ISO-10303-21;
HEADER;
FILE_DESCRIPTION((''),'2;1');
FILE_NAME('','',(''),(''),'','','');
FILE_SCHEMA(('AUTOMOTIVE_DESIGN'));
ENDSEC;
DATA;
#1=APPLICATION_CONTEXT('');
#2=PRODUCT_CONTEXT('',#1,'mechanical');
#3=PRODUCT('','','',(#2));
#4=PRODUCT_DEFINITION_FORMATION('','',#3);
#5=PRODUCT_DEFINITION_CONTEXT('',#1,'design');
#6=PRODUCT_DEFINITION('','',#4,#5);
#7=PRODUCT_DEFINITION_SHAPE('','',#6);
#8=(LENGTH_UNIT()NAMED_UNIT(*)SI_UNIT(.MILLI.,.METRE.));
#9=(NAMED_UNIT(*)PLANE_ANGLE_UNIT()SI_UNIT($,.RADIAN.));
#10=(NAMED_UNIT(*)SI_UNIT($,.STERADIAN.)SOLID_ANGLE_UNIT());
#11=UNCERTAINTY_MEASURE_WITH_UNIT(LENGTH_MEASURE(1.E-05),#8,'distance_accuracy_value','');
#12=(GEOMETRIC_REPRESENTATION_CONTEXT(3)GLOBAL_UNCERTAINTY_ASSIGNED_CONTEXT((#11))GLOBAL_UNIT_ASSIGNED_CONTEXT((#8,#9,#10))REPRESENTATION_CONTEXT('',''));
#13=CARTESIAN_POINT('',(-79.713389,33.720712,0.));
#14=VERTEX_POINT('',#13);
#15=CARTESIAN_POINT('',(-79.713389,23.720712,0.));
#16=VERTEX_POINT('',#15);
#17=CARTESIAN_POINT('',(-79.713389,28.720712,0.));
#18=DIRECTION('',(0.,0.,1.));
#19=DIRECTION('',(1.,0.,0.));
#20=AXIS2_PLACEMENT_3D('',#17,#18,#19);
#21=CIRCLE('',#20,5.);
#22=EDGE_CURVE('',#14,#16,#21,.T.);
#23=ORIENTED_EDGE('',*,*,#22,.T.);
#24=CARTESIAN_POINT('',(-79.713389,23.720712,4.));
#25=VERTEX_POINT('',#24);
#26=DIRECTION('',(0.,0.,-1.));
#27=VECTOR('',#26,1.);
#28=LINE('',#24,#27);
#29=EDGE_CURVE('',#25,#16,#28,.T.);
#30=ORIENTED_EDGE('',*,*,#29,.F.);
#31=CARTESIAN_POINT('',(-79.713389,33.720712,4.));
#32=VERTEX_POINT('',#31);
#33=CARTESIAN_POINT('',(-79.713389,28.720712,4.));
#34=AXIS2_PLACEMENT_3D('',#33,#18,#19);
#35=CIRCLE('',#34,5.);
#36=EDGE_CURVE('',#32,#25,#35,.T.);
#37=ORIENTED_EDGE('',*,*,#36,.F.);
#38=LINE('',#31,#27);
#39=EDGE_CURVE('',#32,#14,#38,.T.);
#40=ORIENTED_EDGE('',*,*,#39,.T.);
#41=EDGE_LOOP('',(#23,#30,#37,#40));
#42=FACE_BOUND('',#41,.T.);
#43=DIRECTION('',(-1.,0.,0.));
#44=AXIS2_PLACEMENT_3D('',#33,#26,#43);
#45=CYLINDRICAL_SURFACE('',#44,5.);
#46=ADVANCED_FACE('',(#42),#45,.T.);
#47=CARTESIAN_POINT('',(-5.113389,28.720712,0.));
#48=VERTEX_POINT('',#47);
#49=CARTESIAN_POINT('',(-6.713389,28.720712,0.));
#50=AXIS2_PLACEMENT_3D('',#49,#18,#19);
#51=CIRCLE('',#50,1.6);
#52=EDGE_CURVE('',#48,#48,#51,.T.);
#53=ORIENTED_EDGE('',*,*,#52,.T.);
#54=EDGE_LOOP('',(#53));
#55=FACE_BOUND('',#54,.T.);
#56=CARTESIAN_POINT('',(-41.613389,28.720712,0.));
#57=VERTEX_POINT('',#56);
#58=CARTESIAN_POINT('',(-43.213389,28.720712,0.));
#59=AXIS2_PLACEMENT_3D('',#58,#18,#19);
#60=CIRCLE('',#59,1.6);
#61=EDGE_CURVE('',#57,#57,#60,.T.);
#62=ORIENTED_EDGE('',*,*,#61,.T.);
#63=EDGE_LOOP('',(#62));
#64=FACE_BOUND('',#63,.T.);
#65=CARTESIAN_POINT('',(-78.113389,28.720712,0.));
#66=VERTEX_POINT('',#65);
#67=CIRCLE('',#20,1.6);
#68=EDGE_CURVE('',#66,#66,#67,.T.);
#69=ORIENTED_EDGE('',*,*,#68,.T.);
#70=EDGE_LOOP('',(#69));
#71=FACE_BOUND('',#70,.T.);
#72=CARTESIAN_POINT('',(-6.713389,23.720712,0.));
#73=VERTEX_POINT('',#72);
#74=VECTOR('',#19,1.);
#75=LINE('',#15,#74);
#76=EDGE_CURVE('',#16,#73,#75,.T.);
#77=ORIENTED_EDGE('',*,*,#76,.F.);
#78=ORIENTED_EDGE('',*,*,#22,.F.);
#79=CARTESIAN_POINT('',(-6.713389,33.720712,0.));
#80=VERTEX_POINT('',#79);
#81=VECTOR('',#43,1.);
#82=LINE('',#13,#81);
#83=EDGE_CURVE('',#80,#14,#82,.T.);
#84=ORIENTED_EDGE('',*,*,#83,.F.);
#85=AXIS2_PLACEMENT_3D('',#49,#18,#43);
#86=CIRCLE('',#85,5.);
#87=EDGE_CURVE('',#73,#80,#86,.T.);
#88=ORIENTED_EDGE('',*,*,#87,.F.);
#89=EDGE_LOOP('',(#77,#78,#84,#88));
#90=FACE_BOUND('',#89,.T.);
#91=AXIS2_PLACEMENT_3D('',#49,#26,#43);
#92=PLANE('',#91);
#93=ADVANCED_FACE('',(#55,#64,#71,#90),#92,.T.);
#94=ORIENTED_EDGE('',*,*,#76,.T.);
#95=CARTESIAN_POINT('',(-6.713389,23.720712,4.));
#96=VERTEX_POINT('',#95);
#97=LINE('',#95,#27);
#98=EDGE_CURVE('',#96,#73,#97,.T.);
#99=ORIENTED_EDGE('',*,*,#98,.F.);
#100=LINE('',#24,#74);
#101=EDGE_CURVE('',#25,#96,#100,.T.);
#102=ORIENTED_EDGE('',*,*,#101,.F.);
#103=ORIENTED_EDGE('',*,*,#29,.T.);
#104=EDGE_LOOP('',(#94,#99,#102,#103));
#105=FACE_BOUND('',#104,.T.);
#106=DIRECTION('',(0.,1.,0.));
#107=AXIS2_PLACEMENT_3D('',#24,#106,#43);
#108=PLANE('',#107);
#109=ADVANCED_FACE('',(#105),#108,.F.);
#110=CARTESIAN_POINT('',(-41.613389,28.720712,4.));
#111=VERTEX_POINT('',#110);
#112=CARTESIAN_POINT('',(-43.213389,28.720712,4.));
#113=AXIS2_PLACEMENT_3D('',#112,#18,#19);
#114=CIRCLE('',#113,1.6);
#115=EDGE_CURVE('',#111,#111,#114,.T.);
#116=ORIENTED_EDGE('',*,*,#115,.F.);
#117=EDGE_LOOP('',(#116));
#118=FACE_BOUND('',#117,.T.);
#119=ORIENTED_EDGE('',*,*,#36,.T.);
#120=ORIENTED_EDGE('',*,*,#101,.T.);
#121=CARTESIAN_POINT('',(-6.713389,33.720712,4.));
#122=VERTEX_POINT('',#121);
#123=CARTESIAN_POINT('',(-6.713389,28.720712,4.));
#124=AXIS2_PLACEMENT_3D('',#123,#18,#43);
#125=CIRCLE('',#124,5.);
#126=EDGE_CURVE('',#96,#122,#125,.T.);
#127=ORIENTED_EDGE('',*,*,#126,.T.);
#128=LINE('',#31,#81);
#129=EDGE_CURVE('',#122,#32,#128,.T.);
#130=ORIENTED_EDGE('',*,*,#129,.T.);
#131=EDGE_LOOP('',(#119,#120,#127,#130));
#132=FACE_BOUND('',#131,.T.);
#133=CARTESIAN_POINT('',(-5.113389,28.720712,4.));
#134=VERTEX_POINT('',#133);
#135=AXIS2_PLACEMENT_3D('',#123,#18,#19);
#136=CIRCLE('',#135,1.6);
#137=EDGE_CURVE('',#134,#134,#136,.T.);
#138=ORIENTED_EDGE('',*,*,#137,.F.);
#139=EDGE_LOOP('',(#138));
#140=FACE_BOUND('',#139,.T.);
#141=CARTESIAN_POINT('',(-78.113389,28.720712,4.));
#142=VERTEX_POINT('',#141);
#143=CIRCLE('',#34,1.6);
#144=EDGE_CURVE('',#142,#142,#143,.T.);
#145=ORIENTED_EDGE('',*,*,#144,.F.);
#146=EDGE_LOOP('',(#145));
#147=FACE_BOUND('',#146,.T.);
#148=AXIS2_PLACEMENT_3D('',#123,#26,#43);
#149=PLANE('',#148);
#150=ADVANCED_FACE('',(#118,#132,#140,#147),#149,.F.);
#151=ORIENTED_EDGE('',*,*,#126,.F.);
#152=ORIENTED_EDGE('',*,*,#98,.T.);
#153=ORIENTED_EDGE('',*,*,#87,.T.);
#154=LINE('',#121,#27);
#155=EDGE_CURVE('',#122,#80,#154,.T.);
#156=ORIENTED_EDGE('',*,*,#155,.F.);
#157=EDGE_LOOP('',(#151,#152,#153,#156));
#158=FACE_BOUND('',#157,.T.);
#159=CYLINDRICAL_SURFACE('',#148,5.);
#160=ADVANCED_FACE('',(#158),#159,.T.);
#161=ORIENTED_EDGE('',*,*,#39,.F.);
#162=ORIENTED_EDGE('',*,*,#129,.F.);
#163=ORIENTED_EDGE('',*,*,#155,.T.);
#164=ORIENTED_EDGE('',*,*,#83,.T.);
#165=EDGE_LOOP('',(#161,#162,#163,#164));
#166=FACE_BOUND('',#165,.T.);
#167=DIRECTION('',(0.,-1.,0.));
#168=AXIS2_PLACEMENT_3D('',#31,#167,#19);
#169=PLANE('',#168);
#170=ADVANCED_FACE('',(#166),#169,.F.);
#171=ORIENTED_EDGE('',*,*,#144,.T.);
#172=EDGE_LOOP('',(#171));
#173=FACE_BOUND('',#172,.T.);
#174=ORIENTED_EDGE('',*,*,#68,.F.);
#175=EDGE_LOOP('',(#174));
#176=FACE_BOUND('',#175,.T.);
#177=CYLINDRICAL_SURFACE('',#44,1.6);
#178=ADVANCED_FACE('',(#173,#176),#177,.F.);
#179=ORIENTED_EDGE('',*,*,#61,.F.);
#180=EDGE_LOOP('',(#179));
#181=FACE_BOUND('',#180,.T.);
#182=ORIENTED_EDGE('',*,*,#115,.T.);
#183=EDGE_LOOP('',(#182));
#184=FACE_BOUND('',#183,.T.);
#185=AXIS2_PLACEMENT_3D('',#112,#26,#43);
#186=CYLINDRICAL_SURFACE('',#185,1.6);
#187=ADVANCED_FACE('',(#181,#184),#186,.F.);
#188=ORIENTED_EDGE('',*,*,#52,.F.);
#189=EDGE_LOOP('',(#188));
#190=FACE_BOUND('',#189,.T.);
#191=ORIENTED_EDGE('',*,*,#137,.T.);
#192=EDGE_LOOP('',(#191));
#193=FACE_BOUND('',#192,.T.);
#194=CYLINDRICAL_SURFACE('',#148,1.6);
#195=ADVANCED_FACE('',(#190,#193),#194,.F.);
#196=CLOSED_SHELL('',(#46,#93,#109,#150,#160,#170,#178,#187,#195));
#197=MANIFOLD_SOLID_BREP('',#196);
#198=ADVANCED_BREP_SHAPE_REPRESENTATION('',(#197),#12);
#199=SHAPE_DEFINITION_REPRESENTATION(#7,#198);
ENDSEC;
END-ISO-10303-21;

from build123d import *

# Parameters (mm, degrees)
SKETCH_2_R      = 1.6
EXTRUDE_2_DEPTH = 4


with BuildPart() as part:
    # 草图2 → 凸台-拉伸2 (new body)
    with BuildSketch(Plane.XY):
        with BuildLine():
            Line((-79.713388692, 33.720712468), (-6.713388692, 33.720712468))
            ThreePointArc((-6.713388692, 33.720712468), (-1.713388692, 28.720712468), (-6.713388692, 23.720712468))
            Line((-6.713388692, 23.720712468), (-79.713388692, 23.720712468))
            ThreePointArc((-79.713388692, 23.720712468), (-84.713388692, 28.720712468), (-79.713388692, 33.720712468))
        make_face()
        with Locations((-79.713388692, 28.720712468)):
            Circle(SKETCH_2_R, mode=Mode.SUBTRACT)
        with Locations((-6.713388692, 28.720712468)):
            Circle(SKETCH_2_R, mode=Mode.SUBTRACT)
        with Locations((-43.213388692, 28.720712468)):
            Circle(SKETCH_2_R, mode=Mode.SUBTRACT)
    extrude(amount=EXTRUDE_2_DEPTH)


solid = part.part
